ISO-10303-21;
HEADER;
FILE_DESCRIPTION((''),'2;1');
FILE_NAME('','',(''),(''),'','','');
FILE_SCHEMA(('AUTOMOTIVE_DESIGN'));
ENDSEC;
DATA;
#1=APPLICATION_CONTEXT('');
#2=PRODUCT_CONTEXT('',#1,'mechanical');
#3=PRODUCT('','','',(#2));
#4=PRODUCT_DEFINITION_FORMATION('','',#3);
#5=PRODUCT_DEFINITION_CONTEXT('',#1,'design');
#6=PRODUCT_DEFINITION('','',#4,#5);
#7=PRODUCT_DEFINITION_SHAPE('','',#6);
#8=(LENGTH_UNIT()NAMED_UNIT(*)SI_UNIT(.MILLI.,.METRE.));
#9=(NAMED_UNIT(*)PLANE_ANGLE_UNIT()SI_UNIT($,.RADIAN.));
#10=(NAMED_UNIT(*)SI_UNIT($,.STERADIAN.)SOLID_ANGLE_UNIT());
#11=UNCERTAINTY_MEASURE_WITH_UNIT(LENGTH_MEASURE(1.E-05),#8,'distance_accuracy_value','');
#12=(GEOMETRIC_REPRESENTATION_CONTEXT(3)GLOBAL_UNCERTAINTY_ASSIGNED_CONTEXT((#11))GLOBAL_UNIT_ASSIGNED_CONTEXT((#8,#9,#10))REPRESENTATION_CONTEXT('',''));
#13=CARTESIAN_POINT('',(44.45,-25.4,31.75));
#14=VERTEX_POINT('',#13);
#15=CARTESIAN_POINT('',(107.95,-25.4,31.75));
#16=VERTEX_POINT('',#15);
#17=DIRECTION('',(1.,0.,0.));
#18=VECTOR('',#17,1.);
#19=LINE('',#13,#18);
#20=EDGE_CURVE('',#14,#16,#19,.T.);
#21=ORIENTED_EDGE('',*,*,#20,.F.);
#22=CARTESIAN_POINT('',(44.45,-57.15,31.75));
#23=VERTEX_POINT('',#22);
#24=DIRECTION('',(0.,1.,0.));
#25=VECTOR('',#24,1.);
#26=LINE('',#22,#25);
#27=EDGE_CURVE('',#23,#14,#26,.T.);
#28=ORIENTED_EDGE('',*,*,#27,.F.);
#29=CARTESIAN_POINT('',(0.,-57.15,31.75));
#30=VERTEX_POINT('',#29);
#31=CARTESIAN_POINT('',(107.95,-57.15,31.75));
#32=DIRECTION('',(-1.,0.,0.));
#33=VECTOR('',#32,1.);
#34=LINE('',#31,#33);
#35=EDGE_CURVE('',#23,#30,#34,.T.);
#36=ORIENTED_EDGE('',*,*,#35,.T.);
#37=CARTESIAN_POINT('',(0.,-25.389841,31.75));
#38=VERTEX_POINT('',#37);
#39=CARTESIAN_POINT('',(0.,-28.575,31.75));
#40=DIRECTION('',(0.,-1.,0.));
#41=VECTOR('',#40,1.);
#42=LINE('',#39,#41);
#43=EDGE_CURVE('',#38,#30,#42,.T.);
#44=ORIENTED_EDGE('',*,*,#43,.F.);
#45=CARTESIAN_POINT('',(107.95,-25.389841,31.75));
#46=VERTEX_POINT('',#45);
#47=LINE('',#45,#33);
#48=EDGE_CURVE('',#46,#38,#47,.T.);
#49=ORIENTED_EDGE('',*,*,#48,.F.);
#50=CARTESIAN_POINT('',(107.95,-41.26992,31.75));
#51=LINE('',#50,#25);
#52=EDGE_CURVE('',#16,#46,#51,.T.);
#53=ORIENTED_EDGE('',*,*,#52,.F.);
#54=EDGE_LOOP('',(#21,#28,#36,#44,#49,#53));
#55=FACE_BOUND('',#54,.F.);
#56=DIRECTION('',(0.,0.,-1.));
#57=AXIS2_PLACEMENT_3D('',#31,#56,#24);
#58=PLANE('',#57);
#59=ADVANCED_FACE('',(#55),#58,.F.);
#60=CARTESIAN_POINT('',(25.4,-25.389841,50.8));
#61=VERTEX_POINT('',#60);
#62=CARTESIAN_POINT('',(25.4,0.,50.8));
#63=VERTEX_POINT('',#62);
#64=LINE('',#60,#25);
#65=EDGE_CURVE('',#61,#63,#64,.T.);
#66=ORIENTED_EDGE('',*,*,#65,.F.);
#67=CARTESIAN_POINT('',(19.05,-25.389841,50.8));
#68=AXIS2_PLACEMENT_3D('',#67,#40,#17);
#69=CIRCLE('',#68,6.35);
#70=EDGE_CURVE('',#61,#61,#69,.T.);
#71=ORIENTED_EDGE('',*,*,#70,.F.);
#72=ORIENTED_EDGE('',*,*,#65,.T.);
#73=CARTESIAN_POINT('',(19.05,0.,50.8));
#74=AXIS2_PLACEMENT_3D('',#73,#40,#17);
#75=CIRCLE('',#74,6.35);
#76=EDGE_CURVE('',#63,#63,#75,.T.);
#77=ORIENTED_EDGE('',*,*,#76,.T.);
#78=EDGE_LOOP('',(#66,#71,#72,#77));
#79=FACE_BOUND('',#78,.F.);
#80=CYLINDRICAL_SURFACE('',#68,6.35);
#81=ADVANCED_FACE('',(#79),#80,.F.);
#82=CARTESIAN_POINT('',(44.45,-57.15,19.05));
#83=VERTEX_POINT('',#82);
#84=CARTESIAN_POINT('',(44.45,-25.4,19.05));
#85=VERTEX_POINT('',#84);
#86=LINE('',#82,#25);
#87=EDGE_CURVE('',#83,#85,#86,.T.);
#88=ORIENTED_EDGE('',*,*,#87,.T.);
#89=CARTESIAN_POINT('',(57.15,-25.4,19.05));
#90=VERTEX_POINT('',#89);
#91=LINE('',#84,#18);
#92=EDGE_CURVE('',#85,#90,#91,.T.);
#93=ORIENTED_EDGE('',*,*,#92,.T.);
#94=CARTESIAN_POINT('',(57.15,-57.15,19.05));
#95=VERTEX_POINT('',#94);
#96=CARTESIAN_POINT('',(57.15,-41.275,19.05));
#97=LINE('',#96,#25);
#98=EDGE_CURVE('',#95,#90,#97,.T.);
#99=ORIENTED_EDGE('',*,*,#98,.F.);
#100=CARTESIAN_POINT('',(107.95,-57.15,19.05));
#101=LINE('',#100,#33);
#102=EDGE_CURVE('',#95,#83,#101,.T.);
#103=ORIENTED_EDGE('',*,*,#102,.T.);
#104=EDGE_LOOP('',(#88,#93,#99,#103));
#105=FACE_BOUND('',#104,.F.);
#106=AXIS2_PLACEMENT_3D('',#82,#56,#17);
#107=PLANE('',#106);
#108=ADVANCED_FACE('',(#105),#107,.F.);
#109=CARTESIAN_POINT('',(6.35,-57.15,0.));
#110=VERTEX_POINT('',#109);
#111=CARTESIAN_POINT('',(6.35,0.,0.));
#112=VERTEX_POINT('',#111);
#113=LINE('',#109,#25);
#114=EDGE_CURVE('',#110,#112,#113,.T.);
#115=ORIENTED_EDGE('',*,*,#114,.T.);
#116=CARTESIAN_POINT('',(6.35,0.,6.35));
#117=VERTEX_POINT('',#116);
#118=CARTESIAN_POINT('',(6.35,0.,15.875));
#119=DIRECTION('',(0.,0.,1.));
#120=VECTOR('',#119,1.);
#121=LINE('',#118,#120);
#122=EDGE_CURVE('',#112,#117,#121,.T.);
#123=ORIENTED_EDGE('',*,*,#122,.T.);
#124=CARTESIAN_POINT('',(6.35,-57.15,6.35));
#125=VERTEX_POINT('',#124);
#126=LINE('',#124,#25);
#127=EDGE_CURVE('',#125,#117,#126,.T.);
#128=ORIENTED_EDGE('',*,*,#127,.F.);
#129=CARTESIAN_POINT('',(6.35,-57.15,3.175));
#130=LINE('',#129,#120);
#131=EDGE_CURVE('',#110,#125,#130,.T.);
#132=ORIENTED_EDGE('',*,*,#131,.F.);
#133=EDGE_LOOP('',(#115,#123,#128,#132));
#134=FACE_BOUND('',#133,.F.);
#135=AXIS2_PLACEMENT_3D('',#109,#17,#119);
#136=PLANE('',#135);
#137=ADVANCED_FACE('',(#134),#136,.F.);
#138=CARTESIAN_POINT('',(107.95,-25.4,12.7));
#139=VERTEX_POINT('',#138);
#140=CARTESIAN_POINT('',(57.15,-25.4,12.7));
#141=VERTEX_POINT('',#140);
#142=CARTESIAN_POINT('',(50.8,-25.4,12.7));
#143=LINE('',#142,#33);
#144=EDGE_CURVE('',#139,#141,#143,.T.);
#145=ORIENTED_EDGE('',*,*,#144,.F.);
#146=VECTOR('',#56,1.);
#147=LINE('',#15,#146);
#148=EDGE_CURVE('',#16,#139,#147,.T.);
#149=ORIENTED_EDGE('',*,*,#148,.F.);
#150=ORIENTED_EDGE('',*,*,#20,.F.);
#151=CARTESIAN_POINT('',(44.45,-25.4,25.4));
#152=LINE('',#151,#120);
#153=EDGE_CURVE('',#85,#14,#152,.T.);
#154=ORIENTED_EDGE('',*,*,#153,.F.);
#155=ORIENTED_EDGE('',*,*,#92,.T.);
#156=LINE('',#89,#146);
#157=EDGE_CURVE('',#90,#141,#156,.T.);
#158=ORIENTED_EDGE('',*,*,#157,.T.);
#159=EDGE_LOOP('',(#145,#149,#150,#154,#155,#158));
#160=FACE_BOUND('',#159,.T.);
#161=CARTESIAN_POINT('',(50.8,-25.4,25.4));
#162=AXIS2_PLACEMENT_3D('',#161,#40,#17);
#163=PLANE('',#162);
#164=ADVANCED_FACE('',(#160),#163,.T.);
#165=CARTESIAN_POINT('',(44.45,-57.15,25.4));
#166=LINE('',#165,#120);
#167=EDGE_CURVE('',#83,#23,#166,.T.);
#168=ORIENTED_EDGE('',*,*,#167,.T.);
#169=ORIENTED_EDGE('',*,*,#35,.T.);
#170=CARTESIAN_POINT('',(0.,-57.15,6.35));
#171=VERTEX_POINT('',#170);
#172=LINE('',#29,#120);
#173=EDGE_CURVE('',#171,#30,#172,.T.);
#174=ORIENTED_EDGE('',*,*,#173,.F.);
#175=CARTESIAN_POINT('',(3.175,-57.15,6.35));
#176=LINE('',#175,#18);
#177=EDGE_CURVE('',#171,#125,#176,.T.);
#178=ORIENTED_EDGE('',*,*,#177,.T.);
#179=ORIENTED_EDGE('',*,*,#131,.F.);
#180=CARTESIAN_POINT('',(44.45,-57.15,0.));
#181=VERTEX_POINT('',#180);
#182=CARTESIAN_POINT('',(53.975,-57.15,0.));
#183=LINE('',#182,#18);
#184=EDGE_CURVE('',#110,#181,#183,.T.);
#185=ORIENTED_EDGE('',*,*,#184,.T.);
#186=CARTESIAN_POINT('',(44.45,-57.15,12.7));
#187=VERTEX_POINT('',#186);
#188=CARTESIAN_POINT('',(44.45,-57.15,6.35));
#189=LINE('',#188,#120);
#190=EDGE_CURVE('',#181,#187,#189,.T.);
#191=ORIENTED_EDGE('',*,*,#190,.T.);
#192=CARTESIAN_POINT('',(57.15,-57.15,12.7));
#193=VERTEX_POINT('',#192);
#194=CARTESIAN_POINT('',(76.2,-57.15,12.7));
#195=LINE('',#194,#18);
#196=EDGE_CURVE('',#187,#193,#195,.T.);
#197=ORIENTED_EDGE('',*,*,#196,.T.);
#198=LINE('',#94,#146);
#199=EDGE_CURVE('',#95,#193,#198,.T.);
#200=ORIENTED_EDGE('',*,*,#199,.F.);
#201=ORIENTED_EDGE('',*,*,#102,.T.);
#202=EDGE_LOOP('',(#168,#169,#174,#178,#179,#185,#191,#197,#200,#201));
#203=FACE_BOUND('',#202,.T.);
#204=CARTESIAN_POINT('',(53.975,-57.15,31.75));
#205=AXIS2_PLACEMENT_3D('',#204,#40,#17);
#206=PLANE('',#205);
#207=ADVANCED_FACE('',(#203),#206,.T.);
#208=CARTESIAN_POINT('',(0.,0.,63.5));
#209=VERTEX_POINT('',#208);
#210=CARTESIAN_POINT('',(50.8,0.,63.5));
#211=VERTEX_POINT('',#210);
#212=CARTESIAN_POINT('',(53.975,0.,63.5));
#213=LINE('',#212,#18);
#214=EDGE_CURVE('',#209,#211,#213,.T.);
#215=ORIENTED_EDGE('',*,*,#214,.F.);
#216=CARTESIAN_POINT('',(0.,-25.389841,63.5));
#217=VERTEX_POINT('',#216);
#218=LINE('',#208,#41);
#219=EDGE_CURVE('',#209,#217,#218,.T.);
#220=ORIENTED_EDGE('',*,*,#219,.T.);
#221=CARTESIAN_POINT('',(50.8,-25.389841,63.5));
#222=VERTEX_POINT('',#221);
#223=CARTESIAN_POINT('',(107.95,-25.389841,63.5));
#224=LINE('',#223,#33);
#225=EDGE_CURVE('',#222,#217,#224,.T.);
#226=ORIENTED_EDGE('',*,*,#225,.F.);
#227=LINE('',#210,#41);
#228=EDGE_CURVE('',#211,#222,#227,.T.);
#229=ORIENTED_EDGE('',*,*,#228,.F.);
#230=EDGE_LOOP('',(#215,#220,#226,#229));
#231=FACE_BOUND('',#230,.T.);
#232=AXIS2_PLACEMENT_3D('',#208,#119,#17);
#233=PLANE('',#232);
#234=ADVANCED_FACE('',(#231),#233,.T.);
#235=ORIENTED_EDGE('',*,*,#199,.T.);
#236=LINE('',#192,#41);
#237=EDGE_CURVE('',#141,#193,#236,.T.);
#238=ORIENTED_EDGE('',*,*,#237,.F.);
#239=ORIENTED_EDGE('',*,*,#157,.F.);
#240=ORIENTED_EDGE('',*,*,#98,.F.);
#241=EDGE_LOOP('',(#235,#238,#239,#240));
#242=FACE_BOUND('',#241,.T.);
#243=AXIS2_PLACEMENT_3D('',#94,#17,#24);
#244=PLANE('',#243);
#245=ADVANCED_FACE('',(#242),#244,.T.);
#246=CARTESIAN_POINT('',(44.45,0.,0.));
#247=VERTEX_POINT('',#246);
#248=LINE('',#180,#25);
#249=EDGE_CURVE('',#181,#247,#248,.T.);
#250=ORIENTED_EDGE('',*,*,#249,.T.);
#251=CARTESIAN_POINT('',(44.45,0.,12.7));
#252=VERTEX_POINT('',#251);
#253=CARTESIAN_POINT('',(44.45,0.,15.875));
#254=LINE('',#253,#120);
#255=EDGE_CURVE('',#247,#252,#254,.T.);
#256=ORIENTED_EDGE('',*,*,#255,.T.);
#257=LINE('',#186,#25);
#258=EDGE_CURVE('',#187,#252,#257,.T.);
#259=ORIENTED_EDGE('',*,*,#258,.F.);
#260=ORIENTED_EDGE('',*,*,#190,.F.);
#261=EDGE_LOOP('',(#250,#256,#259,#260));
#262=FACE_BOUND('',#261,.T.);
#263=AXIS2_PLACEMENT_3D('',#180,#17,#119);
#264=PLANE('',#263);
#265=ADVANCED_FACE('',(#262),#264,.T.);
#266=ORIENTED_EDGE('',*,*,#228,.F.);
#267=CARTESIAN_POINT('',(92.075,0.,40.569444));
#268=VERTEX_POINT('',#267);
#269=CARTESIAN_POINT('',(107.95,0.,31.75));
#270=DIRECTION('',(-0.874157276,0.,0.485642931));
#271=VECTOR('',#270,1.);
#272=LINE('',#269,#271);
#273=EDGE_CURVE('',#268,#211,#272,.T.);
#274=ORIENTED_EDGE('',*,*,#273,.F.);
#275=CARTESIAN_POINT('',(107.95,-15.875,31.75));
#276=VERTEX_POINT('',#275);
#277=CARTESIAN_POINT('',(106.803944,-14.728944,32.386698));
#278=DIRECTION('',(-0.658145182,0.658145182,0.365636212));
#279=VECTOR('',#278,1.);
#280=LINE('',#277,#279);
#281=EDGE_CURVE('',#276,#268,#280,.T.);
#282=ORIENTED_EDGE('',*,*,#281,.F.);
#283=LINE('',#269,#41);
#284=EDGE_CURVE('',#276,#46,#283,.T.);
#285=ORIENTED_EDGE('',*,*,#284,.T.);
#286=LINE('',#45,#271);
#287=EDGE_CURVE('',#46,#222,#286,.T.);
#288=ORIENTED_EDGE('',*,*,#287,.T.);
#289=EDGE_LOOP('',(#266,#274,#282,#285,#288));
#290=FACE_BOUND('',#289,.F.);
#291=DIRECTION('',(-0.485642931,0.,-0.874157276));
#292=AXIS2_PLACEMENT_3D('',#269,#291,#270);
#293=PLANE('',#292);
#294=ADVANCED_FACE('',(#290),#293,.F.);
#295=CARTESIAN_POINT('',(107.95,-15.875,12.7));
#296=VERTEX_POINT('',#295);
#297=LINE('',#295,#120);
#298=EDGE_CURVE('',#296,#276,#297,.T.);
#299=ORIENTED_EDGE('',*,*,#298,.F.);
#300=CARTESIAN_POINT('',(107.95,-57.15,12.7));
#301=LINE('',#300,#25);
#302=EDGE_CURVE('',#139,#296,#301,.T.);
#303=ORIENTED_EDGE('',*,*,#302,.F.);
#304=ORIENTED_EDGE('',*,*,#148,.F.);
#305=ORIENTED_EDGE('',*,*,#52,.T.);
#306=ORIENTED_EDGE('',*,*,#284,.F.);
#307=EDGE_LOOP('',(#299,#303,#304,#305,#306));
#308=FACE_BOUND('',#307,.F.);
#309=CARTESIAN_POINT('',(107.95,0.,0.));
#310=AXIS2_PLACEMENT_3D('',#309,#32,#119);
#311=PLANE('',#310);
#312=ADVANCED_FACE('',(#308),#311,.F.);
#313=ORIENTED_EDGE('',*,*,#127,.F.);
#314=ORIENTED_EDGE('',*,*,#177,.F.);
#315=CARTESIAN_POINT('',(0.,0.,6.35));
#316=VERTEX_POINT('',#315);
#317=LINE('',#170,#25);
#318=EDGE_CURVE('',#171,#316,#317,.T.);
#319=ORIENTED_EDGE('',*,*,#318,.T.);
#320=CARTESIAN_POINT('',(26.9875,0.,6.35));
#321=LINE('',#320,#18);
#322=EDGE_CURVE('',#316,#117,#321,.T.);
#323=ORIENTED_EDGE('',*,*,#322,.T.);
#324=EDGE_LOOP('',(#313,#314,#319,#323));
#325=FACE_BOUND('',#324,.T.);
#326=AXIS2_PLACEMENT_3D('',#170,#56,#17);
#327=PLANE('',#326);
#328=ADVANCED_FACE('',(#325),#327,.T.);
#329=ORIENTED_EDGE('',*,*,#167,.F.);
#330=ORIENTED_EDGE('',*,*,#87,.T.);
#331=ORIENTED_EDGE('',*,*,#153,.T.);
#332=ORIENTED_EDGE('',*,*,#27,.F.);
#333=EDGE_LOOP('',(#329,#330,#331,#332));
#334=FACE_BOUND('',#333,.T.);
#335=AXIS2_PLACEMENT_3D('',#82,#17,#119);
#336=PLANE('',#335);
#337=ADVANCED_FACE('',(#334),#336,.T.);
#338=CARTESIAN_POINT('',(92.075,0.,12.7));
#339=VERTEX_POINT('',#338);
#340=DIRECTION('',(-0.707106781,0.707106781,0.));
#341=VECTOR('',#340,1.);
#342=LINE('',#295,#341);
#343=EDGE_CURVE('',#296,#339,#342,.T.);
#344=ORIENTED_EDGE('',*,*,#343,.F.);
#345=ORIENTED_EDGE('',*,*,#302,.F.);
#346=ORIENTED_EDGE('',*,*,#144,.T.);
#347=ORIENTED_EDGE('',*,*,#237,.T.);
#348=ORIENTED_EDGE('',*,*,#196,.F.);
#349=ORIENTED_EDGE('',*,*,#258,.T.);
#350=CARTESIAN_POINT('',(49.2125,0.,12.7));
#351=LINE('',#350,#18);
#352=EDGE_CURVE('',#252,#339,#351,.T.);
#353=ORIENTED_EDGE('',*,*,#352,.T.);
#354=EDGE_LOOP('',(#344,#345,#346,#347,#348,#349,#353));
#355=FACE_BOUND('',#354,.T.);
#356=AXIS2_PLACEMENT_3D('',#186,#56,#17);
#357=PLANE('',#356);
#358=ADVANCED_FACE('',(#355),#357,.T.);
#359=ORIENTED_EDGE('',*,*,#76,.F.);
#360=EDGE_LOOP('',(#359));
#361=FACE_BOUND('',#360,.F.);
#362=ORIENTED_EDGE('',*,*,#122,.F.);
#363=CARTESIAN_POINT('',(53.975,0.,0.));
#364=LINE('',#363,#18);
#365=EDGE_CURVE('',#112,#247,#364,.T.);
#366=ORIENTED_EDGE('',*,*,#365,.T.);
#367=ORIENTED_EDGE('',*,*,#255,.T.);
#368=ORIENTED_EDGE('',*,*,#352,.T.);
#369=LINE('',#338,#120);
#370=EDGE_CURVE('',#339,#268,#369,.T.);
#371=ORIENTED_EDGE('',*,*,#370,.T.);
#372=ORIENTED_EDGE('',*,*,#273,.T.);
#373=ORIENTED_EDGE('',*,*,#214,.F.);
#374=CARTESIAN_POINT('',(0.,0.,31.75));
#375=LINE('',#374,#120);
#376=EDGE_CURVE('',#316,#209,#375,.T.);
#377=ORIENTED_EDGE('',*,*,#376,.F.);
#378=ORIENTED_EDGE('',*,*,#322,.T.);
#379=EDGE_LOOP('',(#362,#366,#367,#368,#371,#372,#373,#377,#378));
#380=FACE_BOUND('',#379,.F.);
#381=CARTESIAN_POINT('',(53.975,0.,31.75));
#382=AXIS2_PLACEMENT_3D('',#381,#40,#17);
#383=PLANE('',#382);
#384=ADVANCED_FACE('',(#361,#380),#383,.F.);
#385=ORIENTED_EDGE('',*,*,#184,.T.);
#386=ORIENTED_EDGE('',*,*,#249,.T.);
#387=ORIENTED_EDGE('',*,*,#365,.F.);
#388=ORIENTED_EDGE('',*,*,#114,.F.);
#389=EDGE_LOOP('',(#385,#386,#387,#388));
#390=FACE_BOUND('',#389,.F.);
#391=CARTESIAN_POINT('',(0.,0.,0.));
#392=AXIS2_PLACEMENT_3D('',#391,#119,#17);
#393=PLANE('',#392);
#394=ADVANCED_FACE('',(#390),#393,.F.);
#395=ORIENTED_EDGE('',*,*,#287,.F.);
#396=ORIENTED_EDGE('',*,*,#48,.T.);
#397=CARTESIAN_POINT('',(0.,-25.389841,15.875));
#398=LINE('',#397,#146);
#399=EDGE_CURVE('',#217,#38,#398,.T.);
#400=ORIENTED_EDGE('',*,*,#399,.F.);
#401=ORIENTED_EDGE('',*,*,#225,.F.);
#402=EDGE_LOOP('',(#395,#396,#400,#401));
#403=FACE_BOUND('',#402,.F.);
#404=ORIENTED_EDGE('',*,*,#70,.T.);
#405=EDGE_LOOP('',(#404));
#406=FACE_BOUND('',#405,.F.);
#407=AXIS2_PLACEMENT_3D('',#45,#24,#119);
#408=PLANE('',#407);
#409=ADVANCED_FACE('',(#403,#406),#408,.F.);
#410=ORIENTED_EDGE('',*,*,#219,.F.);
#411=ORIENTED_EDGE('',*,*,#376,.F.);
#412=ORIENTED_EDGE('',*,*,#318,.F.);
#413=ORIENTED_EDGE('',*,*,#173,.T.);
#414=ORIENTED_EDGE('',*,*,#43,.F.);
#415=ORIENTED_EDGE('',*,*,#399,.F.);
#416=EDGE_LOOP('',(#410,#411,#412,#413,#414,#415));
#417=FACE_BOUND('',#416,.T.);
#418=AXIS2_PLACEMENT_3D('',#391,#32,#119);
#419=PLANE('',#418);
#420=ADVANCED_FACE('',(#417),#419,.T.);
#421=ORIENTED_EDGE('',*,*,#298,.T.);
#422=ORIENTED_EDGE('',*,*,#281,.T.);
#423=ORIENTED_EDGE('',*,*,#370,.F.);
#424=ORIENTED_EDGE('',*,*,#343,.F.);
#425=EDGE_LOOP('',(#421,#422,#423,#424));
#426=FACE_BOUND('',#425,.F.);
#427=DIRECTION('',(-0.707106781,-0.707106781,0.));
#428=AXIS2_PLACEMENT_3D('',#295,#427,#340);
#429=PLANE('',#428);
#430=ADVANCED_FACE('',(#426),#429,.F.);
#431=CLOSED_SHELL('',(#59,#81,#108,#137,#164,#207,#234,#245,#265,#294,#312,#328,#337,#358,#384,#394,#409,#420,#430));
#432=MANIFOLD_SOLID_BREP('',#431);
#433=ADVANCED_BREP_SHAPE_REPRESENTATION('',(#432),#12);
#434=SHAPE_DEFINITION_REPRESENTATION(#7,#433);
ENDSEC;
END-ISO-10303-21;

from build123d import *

# Parameters (mm, degrees)
F0_W      = 107.95
F0_H      = 63.5
F1_DEPTH  = 57.15
F2_W      = 6.35
F2_H      = 6.35
F3_DEPTH  = 57.151
F4_W      = 63.5
F4_H      = 12.7
F5_DEPTH  = 57.151
F6_W      = 31.7601591736
F6_H      = 31.75
F7_DEPTH  = 107.951
F8_W      = 12.7
F8_H      = 12.7
F9_DEPTH  = 31.75
F10_W     = 50.8
F10_H     = 12.7
F11_DEPTH = 31.75
F13_DEPTH = 57.151
F15_DEPTH = 50.801
F16_R     = 6.35
F17_DEPTH = 25.3908408264
F18_W     = 50.8
F18_H     = 31.75
F19_DEPTH = 19.051


with BuildPart() as f1:
    # F0 (on Front) → F1 (new body)
    with BuildSketch(Plane.XZ):
        with Locations((53.975, 31.75)):
            Rectangle(F0_W, F0_H)
    extrude(amount=F1_DEPTH)

    # F2 (on face) → F3 (cut, through all)
    with BuildSketch(Plane.XZ.offset(57.15)):
        with Locations((3.175, 3.175)):
            Rectangle(F2_W, F2_H)
    extrude(amount=-F3_DEPTH, mode=Mode.SUBTRACT)

    # F4 (on face) → F5 (cut, through all)
    with BuildSketch(Plane.XZ.offset(57.15)):
        with Locations((76.2, 6.35)):
            Rectangle(F4_W, F4_H)
    extrude(amount=-F5_DEPTH, mode=Mode.SUBTRACT)

    # F6 (on face) → F7 (cut, through all)
    with BuildSketch(Plane.YZ.offset(107.95)):
        with Locations((-41.2699204132, 47.625)):
            Rectangle(F6_W, F6_H)
    extrude(amount=-F7_DEPTH, mode=Mode.SUBTRACT)

    # F8 (on face) → F9 (cut)
    with BuildSketch(Plane.XZ.offset(57.15)):
        with Locations((50.8, 25.4)):
            Rectangle(F8_W, F8_H)
    extrude(amount=-F9_DEPTH, mode=Mode.SUBTRACT)

    # F10 (on face) → F11 (cut)
    with BuildSketch(Plane.XZ.offset(57.15)):
        with Locations((82.55, 25.4)):
            Rectangle(F10_W, F10_H)
    extrude(amount=-F11_DEPTH, mode=Mode.SUBTRACT)

    # F12 (on face) → F13 (cut, through all)
    with BuildSketch(Plane(origin=(0, 0, 0), x_dir=(-1, 0, 0), z_dir=(0, 1, 0))):
        Polygon((-107.95, 63.5), (-107.95, 31.75), (-50.8, 63.5), align=None)
    extrude(amount=-F13_DEPTH, mode=Mode.SUBTRACT)

    # F14 (on face) → F15 (cut, through all)
    with BuildSketch(Plane(origin=(0, 0, 12.7), x_dir=(1, 0, 0), z_dir=(0, 0, -1))):
        Polygon((92.075, 0), (107.95, 0), (107.95, 15.875), align=None)
    extrude(amount=-F15_DEPTH, mode=Mode.SUBTRACT)

    # F16 (on face) → F17 (cut, through all)
    with BuildSketch(Plane.XZ.offset(25.3898408264)):
        with Locations((19.05, 50.8)):
            Circle(F16_R)
    extrude(amount=-F17_DEPTH, mode=Mode.SUBTRACT)

    # F18 (on face) → F19 (cut, through all)
    with BuildSketch(Plane.XY.offset(19.05)):
        with Locations((82.55, -41.275)):
            Rectangle(F18_W, F18_H)
    extrude(amount=-F19_DEPTH, mode=Mode.SUBTRACT)


solid = f1.part
